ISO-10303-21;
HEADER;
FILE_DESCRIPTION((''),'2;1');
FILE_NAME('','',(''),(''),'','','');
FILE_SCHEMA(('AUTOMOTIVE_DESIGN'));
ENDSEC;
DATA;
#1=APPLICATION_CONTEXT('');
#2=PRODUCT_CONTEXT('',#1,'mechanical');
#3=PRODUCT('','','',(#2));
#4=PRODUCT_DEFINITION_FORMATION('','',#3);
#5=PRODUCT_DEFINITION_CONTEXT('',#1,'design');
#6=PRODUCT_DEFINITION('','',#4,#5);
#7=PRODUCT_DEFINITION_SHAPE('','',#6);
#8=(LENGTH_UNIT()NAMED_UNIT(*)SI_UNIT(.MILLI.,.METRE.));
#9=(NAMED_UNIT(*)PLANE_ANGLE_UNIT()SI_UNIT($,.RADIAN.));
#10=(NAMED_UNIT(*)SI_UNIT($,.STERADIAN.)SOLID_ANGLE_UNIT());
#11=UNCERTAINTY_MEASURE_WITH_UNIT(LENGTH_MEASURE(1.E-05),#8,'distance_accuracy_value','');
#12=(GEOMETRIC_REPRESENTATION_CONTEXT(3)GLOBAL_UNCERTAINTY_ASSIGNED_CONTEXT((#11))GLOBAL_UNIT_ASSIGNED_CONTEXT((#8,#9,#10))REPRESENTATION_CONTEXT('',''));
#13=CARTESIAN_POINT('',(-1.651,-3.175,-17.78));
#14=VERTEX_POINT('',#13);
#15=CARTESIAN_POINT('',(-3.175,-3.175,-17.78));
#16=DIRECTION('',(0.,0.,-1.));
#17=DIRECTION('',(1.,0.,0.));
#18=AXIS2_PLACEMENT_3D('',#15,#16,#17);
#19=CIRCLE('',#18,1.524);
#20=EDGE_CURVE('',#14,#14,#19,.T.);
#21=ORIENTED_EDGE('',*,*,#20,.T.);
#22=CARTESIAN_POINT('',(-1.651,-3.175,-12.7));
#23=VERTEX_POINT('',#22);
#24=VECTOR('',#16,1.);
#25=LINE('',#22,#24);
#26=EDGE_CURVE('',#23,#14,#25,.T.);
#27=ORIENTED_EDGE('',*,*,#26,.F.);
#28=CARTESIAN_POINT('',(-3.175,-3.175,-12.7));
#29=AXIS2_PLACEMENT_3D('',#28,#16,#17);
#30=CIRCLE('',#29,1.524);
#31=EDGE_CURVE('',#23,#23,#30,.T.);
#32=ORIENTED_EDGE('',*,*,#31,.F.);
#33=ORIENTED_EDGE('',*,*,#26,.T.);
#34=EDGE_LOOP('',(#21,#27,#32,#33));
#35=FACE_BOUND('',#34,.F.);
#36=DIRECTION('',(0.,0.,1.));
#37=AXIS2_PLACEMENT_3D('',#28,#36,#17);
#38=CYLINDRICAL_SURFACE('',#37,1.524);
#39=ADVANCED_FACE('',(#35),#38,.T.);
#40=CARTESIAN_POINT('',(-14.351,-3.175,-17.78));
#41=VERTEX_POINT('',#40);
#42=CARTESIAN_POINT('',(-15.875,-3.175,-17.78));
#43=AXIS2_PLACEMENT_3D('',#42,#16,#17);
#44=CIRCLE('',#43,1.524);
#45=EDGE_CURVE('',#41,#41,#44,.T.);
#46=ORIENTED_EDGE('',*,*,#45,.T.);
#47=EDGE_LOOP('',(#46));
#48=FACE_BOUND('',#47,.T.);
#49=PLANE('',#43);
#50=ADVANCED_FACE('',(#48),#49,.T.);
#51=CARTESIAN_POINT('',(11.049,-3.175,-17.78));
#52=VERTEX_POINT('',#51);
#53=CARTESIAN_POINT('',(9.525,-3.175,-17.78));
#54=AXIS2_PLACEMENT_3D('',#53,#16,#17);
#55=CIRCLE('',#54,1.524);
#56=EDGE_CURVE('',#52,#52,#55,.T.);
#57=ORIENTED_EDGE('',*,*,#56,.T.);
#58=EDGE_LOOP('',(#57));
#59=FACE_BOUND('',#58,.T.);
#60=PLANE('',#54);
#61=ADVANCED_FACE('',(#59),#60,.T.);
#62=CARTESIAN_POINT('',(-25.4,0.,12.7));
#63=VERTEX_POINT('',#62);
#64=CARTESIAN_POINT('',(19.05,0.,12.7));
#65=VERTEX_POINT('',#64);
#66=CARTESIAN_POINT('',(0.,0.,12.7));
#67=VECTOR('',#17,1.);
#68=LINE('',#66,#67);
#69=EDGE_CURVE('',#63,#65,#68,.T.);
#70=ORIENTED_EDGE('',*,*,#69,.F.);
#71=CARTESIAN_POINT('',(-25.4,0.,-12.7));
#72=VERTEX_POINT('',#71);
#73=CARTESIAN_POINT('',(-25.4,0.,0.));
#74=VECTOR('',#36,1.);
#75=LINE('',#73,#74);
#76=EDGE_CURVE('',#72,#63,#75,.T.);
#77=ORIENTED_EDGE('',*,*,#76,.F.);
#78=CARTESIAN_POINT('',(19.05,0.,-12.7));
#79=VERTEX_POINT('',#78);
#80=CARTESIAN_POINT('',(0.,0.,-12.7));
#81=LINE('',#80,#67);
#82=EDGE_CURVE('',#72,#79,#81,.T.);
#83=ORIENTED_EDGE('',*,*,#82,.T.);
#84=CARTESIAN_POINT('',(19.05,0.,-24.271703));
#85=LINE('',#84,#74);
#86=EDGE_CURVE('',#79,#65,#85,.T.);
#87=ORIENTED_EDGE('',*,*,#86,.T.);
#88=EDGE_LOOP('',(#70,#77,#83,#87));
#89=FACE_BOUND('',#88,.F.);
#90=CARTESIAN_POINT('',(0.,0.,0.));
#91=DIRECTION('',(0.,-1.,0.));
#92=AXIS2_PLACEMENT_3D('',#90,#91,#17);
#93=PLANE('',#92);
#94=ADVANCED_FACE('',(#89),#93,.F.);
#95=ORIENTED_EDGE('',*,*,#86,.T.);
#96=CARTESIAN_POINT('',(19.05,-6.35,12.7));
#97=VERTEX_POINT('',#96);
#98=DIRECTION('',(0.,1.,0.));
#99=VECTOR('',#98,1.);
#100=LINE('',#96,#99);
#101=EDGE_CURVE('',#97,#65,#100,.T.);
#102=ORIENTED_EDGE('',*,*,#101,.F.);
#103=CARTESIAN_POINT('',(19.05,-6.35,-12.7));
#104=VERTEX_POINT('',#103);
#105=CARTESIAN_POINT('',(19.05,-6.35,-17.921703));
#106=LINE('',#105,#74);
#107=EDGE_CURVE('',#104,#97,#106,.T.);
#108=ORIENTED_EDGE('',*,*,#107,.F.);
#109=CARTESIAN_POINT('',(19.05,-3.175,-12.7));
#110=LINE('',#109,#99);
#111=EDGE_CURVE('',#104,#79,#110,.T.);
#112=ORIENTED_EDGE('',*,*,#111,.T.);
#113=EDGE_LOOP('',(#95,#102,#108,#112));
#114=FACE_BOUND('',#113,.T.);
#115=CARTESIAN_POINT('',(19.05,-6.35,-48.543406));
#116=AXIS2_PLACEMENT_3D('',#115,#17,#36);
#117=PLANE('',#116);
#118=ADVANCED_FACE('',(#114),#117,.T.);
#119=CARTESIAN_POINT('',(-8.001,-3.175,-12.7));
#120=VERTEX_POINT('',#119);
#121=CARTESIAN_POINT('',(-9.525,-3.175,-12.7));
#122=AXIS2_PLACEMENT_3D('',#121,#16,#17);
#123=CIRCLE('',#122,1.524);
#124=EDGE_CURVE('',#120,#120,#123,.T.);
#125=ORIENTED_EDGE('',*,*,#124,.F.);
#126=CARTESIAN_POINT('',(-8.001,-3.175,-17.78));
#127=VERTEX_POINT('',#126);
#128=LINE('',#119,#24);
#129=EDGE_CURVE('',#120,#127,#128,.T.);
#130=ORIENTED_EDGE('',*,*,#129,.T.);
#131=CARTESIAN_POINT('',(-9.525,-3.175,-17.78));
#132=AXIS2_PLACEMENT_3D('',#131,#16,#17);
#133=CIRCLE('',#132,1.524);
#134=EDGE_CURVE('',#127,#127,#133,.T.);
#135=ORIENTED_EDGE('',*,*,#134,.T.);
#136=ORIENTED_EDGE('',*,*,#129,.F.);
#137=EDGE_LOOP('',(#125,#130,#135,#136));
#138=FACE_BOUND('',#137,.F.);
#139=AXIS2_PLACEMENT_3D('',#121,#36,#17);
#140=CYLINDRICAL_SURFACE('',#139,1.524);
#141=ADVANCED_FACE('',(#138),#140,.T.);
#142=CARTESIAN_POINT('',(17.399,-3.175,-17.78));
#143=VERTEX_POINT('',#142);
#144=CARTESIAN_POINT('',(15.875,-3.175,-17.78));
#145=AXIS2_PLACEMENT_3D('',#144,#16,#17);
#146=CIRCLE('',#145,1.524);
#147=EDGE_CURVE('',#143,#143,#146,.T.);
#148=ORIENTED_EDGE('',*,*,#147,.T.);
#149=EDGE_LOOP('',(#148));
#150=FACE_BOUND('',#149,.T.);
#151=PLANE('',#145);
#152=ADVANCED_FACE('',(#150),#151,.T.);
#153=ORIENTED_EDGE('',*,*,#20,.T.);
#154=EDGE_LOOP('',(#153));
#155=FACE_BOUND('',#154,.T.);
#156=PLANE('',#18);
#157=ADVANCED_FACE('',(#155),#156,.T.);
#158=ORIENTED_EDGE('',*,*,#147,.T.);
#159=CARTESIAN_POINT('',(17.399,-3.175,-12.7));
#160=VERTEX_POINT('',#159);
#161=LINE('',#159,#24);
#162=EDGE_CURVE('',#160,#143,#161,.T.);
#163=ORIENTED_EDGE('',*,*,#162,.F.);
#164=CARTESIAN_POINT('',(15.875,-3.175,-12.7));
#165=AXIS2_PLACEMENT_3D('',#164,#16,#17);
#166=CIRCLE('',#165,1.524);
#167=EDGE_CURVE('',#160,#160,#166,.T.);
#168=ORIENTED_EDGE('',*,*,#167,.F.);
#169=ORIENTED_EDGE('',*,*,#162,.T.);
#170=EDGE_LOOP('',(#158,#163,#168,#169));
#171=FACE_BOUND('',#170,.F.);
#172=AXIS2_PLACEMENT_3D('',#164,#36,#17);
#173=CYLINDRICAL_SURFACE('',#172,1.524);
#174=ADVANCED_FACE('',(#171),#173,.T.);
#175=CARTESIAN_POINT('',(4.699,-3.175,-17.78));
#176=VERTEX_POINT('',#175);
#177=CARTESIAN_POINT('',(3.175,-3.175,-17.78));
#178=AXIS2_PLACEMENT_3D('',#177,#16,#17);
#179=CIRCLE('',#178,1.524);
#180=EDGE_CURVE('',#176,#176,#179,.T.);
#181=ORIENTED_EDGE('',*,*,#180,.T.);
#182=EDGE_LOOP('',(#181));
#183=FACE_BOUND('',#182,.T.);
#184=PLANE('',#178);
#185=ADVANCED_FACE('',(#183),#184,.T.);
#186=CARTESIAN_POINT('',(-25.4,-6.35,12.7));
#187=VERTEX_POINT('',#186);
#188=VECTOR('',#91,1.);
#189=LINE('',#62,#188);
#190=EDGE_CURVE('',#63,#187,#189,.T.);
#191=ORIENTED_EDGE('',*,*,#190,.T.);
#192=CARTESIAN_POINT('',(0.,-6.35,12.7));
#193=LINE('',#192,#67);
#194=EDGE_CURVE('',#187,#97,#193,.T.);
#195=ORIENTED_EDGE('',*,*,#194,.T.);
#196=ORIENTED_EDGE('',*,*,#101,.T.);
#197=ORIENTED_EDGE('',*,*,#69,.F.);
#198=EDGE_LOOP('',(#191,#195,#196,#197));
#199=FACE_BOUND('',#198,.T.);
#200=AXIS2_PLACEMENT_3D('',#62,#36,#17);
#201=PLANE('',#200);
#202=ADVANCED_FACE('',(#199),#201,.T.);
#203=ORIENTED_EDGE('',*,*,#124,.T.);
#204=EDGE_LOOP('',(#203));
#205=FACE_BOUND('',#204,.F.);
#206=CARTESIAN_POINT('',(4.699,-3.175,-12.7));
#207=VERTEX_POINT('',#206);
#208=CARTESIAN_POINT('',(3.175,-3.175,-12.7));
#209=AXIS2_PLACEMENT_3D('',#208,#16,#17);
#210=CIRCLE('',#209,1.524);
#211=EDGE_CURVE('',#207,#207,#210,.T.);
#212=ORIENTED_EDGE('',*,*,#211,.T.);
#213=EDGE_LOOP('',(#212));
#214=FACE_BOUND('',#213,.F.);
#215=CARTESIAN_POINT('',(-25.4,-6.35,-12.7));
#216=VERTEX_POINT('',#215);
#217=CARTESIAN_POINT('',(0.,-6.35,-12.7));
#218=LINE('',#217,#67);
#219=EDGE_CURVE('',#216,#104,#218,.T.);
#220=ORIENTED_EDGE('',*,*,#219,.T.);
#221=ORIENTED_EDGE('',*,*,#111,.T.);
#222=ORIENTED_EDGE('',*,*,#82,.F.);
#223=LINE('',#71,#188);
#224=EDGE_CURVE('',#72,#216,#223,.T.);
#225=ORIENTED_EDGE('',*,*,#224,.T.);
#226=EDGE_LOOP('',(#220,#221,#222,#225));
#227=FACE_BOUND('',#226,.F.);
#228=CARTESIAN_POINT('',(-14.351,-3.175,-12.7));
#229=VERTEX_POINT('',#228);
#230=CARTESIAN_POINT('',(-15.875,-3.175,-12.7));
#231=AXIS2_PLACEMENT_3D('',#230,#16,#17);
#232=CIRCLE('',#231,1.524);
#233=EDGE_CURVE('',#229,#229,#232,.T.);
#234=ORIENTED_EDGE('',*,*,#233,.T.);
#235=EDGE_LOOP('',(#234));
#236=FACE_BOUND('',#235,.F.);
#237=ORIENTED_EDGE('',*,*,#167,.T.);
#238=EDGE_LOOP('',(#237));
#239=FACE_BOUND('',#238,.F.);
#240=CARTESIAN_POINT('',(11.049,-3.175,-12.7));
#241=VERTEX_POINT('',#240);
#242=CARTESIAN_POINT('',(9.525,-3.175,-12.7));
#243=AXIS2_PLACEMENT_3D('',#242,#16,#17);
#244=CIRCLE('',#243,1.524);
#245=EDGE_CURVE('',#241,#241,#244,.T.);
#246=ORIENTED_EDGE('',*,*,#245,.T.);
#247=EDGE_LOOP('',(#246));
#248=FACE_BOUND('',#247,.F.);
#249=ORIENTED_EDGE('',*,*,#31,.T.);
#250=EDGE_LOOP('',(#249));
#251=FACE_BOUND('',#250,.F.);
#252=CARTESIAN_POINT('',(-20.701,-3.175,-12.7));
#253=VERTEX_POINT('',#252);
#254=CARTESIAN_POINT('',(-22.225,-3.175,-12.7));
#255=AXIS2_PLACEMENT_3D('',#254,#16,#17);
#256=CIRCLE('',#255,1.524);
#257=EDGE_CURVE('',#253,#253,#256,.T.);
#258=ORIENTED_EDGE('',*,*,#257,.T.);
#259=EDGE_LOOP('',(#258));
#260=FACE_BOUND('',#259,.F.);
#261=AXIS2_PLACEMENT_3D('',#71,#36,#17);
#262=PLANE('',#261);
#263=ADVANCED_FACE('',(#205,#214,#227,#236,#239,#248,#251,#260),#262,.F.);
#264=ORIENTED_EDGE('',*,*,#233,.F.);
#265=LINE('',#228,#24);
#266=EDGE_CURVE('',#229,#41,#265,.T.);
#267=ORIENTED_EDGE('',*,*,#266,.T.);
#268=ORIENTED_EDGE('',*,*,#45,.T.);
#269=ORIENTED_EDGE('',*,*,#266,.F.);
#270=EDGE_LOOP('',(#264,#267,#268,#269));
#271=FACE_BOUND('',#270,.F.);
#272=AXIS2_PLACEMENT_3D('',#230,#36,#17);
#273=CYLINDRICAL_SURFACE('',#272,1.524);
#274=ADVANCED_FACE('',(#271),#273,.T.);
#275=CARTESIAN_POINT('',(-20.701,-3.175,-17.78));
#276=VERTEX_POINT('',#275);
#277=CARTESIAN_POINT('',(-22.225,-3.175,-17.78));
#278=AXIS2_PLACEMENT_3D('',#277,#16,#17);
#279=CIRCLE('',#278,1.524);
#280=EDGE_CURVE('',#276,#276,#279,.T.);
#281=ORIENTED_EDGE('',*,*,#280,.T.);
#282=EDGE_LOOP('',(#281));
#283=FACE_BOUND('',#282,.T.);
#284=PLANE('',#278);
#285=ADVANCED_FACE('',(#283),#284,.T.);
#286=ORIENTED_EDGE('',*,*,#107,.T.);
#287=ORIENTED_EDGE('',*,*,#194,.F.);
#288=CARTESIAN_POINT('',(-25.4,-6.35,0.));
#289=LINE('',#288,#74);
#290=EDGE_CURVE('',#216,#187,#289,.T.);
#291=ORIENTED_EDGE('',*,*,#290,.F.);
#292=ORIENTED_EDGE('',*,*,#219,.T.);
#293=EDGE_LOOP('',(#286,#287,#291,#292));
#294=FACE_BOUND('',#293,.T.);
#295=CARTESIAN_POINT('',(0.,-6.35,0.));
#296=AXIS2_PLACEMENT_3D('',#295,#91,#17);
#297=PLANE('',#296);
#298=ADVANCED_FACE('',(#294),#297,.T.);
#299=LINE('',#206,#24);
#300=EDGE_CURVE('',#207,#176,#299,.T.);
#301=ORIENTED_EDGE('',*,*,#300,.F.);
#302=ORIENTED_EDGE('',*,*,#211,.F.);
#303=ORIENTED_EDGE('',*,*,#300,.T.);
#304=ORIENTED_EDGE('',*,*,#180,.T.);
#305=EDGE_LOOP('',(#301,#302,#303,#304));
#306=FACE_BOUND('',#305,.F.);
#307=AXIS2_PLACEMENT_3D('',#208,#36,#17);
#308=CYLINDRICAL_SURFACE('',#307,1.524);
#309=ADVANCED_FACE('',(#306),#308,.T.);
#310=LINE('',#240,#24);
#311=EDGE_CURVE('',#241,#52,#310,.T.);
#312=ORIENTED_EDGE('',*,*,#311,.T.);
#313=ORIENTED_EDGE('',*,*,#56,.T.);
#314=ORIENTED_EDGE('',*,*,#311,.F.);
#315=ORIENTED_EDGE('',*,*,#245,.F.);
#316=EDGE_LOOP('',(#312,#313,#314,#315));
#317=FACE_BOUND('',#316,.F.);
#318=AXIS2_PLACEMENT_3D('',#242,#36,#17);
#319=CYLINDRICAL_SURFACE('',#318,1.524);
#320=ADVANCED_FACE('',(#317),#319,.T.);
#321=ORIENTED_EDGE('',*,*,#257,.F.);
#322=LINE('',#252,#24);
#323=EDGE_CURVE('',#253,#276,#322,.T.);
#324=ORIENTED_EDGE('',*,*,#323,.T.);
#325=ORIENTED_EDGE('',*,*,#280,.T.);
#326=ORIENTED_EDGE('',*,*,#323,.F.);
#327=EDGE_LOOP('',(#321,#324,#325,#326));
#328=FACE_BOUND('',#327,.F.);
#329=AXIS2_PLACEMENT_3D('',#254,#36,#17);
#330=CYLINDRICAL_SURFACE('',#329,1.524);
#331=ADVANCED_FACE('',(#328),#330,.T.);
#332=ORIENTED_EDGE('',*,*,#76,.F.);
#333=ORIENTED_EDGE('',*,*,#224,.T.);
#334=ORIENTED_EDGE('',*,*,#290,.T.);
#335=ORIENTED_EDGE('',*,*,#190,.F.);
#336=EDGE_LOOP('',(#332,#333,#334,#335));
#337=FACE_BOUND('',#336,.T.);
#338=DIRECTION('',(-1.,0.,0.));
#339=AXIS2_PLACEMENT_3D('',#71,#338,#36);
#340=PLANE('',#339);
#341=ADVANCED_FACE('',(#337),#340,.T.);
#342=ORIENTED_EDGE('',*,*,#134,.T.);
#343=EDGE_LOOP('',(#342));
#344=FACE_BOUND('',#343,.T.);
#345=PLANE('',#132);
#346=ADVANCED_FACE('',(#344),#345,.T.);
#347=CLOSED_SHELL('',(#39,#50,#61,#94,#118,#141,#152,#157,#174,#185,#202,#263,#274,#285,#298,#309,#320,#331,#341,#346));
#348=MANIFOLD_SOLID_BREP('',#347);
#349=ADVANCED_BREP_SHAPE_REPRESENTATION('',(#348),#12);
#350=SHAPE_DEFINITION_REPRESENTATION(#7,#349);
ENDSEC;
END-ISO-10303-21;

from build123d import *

# Parameters (mm, degrees)
F0_W     = 50.8
F0_H     = 25.4
F1_DEPTH = 6.35
F2_R     = 1.524
F3_DEPTH = 5.08
F4_W     = 6.35
F4_H     = 61.243406
F5_DEPTH = 25.4


with BuildPart() as f1:
    # F0 (on Front) → F1 (new body)
    with BuildSketch(Plane.XZ):
        Rectangle(F0_W, F0_H)
    extrude(amount=F1_DEPTH)

    # F2 (on face) → F3 (join)
    with BuildSketch(Plane(origin=(0, 0, -12.7), x_dir=(1, 0, 0), z_dir=(0, 0, -1))):
        with BuildLine():
            ThreePointArc((-23.749, 3.175), (-22.225, 1.651), (-20.701, 3.175))
            ThreePointArc((-20.701, 3.175), (-22.225, 4.699), (-23.749, 3.175))
        make_face()
        with Locations((-15.875, 3.175)):
            Circle(F2_R)
        with Locations((-9.525, 3.175)):
            Circle(F2_R)
        with Locations((-3.175, 3.175)):
            Circle(F2_R)
        with Locations((3.175, 3.175)):
            Circle(F2_R)
        with Locations((9.525, 3.175)):
            Circle(F2_R)
        with Locations((15.875, 3.175)):
            Circle(F2_R)
        with Locations((22.225, 3.175)):
            Circle(F2_R)
    extrude(amount=F3_DEPTH)

    # F4 (on face) → F5 (cut)
    with BuildSketch(Plane.XZ.offset(6.35)):
        with Locations((22.225, -17.921703)):
            Rectangle(F4_W, F4_H)
    extrude(amount=-F5_DEPTH, mode=Mode.SUBTRACT)


solid = f1.part
